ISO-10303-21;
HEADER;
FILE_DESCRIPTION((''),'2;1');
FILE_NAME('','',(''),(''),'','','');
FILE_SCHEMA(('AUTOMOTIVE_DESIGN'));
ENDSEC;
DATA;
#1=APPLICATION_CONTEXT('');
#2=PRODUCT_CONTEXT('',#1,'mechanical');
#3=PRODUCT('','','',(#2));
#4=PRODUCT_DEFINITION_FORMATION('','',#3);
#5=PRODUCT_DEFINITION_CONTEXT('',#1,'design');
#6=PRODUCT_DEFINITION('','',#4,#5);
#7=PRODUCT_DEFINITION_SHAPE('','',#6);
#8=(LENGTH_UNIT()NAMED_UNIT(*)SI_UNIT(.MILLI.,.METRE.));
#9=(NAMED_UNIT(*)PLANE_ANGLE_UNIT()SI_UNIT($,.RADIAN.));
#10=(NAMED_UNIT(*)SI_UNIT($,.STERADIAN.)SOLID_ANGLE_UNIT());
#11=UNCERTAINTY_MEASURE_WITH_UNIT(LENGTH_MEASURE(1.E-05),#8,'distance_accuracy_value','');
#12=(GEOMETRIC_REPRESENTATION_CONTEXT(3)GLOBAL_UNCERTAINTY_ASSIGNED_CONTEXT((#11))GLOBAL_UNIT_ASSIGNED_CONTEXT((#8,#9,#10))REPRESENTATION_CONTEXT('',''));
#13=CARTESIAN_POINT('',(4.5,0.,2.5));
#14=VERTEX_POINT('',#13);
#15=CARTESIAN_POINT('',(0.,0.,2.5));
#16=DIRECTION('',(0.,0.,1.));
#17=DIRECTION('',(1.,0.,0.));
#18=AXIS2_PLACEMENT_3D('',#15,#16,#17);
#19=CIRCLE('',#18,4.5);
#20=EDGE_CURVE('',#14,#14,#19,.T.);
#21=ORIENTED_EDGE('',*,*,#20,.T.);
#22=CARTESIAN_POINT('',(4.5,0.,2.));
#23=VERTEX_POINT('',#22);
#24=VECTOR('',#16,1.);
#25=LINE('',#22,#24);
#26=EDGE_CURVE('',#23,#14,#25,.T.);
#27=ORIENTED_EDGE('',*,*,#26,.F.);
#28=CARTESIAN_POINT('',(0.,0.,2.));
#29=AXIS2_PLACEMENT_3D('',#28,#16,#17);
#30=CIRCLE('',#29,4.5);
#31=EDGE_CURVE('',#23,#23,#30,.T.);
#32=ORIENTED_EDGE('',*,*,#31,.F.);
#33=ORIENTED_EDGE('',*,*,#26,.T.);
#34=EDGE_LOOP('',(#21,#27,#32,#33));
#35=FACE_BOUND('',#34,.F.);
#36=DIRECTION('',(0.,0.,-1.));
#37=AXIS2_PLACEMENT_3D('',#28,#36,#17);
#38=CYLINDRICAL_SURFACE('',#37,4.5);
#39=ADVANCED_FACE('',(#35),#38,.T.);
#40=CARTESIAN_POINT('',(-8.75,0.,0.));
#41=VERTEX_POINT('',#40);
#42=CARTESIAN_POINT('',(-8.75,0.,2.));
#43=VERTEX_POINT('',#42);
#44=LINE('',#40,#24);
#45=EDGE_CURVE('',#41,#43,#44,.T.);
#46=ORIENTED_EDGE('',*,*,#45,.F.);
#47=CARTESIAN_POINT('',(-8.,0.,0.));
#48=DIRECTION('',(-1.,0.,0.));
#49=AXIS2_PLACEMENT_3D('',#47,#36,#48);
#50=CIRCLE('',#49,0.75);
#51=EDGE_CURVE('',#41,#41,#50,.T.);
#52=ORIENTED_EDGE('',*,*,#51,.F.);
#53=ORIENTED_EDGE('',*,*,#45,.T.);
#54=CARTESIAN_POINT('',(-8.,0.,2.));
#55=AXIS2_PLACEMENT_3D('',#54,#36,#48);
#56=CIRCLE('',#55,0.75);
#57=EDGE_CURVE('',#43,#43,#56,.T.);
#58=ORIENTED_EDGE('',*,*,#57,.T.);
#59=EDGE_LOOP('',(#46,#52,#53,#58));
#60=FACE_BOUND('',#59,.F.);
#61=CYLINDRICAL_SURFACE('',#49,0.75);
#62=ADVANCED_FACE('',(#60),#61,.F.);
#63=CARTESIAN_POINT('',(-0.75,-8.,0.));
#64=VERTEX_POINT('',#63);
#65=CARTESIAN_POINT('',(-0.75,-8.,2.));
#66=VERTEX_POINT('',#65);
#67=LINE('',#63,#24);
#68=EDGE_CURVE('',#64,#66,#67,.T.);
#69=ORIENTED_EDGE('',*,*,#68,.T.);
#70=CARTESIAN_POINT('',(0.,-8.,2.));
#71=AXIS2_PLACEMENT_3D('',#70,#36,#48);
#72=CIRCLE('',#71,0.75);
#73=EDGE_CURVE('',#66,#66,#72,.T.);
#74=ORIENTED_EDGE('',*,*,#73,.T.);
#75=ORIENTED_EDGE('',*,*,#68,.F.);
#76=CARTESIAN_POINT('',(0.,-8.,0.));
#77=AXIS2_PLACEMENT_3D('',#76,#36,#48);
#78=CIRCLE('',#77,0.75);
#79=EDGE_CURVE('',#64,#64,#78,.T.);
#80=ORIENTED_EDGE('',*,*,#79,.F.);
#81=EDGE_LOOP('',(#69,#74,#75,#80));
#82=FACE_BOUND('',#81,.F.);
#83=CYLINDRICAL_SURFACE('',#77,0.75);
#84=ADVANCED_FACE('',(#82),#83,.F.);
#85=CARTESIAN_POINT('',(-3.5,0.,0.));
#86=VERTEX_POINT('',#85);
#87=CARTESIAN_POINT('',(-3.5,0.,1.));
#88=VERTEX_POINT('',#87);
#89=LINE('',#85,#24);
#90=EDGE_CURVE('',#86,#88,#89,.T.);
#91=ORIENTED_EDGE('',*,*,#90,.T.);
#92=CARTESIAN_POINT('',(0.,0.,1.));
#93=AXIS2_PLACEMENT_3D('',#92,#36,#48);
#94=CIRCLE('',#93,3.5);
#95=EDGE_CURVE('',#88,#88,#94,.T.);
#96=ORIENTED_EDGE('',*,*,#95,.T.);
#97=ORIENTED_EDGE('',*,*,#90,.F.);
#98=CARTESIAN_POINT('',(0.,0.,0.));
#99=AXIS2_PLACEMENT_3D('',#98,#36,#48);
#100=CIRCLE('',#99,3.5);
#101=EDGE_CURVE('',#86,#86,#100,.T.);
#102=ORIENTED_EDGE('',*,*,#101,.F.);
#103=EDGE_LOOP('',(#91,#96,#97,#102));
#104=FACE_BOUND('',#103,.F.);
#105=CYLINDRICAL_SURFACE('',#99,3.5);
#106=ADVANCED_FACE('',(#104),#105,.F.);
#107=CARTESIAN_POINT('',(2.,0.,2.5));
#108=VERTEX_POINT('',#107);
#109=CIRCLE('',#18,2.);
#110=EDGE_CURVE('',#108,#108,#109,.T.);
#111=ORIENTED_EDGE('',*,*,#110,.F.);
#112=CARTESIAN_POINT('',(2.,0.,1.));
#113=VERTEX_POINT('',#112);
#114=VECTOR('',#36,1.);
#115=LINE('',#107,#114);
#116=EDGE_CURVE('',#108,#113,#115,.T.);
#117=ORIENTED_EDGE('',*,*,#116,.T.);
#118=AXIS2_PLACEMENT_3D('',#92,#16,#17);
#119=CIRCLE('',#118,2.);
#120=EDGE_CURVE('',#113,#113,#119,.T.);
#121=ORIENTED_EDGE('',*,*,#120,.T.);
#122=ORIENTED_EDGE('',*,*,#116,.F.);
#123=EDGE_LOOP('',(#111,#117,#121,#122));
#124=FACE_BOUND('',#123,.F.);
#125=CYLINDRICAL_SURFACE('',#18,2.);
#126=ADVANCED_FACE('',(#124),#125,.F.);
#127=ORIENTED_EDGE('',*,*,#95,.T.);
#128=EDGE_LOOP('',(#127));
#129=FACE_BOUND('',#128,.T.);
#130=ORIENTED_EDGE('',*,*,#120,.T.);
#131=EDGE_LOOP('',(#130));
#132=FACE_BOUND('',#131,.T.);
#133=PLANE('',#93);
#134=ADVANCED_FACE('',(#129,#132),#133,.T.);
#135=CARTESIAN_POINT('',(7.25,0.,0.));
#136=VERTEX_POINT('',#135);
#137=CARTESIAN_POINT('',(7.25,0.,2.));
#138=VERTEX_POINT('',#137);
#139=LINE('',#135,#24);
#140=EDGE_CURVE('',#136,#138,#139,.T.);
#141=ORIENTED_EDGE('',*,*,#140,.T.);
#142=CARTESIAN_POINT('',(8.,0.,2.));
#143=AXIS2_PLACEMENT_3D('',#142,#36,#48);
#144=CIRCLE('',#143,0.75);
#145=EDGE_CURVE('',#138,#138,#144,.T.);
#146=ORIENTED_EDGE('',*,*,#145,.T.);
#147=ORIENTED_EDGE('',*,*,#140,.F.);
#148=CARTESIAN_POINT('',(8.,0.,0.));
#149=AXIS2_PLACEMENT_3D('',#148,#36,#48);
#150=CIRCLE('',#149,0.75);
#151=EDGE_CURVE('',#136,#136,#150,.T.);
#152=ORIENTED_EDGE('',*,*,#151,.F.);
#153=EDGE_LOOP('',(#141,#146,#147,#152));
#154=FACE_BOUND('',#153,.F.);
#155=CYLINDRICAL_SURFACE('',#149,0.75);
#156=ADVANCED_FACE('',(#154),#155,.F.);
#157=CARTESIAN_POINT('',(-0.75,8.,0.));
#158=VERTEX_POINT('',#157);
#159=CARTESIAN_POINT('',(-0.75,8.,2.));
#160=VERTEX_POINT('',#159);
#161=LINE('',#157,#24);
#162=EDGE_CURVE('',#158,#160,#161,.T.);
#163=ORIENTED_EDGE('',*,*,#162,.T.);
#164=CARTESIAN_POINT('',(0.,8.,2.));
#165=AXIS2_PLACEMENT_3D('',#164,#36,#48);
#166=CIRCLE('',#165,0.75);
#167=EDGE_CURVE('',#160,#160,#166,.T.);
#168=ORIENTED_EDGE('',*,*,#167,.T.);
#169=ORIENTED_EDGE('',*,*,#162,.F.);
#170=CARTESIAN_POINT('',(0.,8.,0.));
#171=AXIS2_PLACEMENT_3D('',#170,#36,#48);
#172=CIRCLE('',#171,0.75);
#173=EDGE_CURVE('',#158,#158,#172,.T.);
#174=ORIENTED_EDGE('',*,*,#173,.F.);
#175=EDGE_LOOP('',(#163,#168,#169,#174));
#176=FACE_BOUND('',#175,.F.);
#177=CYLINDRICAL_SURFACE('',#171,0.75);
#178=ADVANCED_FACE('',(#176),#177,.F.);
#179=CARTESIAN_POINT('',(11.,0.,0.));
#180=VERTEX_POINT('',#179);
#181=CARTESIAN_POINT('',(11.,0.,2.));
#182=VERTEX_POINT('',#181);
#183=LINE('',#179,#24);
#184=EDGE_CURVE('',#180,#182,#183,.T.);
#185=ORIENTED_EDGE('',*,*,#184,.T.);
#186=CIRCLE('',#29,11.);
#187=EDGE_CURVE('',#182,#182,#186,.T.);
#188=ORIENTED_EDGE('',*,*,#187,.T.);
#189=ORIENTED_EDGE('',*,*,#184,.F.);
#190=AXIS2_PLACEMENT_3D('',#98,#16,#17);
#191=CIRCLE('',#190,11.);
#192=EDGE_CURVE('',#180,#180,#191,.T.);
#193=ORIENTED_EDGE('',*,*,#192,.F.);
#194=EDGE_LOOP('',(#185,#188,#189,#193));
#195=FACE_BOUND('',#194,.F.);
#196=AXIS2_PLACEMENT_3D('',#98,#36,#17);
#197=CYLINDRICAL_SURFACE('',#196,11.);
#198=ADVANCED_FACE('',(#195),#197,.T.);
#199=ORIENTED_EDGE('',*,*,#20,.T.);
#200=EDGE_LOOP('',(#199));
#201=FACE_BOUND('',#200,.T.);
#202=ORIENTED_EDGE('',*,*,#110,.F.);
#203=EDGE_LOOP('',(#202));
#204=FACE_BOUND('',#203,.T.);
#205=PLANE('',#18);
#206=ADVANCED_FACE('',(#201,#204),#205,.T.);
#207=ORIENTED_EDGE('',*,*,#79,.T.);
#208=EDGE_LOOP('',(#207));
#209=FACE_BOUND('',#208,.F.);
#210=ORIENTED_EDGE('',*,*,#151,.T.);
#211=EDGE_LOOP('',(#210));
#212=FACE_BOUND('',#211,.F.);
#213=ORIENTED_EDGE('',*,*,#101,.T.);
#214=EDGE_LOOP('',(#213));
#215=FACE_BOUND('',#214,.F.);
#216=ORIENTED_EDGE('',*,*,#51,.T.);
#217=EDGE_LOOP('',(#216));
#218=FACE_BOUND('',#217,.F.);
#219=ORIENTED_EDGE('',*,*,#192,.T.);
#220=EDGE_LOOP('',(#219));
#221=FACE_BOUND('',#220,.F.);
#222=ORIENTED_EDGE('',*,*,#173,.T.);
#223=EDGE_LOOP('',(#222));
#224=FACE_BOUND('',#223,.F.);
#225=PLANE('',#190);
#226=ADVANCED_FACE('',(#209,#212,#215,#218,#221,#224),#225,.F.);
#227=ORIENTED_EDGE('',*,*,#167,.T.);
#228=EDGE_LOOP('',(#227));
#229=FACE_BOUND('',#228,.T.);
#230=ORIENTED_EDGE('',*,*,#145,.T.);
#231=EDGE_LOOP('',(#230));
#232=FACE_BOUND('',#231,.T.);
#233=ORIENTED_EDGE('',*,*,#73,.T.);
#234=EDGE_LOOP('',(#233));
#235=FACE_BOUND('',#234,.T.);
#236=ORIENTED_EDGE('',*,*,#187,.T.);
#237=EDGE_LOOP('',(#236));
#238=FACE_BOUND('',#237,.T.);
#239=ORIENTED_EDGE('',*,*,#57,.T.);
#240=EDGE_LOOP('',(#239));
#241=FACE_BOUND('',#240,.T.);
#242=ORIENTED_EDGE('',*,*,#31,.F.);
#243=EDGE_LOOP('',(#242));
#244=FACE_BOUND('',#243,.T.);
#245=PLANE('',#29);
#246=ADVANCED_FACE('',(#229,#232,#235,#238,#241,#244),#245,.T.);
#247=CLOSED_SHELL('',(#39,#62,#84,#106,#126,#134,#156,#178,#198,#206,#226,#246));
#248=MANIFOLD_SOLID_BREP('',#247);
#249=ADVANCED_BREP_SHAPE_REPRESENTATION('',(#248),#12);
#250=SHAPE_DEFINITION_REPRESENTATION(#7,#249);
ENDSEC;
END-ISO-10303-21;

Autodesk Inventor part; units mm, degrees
ref_plane "YZ Plane" through (0, 0, 0) normal (1, 0, 0) x (0, 1, 0)
ref_plane "XZ Plane" through (0, 0, 0) normal (0, 1, 0) x (-1, 0, 0)
ref_plane "XY Plane" through (0, 0, 0) normal (0, 0, 1) x (1, 0, 0)
sketch "Sketch1" plane through (0, 0, 0) normal (0, 0, 1) x (1, 0, 0)
  circle A0 centre (0, 0) radius 11
  dimension "d0" = 22
extrude "Extrusion1" add sketch "Sketch1" along normal blind 2
sketch "Sketch2" plane through (0, 0, 2) normal (0, 0, 1) x (1, 0, 0)
  circle A0 centre (0, 0) radius 4.5
  dimension "d3" = 9
extrude "Extrusion2" add sketch "Sketch2" along normal blind 0.5
sketch "Sketch3" plane through (0, 0, 2.5) normal (0, 0, 1) x (1, 0, 0)
  circle A0 centre (0, 0) radius 2
  dimension "d6" = 4
extrude "Extrusion3" cut sketch "Sketch3" against normal blind 555
sketch "Sketch4" plane through (0, 0, 0) normal (0, 0, -1) x (-1, 0, 0)
  circle A0 centre (0, 0) radius 3.5
  dimension "d9" = 7
extrude "Extrusion4" cut sketch "Sketch4" against normal blind 1
sketch "Sketch5" plane through (0, 0, 0) normal (0, 0, -1) x (-1, 0, 0)
  circle A0 centre (0, -8) radius 0.75
  circle A1 centre (8, 0) radius 0.75
  circle A2 centre (0, 8) radius 0.75
  circle A3 centre (-8, 0) radius 0.75
extrude "Extrusion5" cut sketch "Sketch5" against normal blind 44
properties part number "B11" material "ABS Plastic"
